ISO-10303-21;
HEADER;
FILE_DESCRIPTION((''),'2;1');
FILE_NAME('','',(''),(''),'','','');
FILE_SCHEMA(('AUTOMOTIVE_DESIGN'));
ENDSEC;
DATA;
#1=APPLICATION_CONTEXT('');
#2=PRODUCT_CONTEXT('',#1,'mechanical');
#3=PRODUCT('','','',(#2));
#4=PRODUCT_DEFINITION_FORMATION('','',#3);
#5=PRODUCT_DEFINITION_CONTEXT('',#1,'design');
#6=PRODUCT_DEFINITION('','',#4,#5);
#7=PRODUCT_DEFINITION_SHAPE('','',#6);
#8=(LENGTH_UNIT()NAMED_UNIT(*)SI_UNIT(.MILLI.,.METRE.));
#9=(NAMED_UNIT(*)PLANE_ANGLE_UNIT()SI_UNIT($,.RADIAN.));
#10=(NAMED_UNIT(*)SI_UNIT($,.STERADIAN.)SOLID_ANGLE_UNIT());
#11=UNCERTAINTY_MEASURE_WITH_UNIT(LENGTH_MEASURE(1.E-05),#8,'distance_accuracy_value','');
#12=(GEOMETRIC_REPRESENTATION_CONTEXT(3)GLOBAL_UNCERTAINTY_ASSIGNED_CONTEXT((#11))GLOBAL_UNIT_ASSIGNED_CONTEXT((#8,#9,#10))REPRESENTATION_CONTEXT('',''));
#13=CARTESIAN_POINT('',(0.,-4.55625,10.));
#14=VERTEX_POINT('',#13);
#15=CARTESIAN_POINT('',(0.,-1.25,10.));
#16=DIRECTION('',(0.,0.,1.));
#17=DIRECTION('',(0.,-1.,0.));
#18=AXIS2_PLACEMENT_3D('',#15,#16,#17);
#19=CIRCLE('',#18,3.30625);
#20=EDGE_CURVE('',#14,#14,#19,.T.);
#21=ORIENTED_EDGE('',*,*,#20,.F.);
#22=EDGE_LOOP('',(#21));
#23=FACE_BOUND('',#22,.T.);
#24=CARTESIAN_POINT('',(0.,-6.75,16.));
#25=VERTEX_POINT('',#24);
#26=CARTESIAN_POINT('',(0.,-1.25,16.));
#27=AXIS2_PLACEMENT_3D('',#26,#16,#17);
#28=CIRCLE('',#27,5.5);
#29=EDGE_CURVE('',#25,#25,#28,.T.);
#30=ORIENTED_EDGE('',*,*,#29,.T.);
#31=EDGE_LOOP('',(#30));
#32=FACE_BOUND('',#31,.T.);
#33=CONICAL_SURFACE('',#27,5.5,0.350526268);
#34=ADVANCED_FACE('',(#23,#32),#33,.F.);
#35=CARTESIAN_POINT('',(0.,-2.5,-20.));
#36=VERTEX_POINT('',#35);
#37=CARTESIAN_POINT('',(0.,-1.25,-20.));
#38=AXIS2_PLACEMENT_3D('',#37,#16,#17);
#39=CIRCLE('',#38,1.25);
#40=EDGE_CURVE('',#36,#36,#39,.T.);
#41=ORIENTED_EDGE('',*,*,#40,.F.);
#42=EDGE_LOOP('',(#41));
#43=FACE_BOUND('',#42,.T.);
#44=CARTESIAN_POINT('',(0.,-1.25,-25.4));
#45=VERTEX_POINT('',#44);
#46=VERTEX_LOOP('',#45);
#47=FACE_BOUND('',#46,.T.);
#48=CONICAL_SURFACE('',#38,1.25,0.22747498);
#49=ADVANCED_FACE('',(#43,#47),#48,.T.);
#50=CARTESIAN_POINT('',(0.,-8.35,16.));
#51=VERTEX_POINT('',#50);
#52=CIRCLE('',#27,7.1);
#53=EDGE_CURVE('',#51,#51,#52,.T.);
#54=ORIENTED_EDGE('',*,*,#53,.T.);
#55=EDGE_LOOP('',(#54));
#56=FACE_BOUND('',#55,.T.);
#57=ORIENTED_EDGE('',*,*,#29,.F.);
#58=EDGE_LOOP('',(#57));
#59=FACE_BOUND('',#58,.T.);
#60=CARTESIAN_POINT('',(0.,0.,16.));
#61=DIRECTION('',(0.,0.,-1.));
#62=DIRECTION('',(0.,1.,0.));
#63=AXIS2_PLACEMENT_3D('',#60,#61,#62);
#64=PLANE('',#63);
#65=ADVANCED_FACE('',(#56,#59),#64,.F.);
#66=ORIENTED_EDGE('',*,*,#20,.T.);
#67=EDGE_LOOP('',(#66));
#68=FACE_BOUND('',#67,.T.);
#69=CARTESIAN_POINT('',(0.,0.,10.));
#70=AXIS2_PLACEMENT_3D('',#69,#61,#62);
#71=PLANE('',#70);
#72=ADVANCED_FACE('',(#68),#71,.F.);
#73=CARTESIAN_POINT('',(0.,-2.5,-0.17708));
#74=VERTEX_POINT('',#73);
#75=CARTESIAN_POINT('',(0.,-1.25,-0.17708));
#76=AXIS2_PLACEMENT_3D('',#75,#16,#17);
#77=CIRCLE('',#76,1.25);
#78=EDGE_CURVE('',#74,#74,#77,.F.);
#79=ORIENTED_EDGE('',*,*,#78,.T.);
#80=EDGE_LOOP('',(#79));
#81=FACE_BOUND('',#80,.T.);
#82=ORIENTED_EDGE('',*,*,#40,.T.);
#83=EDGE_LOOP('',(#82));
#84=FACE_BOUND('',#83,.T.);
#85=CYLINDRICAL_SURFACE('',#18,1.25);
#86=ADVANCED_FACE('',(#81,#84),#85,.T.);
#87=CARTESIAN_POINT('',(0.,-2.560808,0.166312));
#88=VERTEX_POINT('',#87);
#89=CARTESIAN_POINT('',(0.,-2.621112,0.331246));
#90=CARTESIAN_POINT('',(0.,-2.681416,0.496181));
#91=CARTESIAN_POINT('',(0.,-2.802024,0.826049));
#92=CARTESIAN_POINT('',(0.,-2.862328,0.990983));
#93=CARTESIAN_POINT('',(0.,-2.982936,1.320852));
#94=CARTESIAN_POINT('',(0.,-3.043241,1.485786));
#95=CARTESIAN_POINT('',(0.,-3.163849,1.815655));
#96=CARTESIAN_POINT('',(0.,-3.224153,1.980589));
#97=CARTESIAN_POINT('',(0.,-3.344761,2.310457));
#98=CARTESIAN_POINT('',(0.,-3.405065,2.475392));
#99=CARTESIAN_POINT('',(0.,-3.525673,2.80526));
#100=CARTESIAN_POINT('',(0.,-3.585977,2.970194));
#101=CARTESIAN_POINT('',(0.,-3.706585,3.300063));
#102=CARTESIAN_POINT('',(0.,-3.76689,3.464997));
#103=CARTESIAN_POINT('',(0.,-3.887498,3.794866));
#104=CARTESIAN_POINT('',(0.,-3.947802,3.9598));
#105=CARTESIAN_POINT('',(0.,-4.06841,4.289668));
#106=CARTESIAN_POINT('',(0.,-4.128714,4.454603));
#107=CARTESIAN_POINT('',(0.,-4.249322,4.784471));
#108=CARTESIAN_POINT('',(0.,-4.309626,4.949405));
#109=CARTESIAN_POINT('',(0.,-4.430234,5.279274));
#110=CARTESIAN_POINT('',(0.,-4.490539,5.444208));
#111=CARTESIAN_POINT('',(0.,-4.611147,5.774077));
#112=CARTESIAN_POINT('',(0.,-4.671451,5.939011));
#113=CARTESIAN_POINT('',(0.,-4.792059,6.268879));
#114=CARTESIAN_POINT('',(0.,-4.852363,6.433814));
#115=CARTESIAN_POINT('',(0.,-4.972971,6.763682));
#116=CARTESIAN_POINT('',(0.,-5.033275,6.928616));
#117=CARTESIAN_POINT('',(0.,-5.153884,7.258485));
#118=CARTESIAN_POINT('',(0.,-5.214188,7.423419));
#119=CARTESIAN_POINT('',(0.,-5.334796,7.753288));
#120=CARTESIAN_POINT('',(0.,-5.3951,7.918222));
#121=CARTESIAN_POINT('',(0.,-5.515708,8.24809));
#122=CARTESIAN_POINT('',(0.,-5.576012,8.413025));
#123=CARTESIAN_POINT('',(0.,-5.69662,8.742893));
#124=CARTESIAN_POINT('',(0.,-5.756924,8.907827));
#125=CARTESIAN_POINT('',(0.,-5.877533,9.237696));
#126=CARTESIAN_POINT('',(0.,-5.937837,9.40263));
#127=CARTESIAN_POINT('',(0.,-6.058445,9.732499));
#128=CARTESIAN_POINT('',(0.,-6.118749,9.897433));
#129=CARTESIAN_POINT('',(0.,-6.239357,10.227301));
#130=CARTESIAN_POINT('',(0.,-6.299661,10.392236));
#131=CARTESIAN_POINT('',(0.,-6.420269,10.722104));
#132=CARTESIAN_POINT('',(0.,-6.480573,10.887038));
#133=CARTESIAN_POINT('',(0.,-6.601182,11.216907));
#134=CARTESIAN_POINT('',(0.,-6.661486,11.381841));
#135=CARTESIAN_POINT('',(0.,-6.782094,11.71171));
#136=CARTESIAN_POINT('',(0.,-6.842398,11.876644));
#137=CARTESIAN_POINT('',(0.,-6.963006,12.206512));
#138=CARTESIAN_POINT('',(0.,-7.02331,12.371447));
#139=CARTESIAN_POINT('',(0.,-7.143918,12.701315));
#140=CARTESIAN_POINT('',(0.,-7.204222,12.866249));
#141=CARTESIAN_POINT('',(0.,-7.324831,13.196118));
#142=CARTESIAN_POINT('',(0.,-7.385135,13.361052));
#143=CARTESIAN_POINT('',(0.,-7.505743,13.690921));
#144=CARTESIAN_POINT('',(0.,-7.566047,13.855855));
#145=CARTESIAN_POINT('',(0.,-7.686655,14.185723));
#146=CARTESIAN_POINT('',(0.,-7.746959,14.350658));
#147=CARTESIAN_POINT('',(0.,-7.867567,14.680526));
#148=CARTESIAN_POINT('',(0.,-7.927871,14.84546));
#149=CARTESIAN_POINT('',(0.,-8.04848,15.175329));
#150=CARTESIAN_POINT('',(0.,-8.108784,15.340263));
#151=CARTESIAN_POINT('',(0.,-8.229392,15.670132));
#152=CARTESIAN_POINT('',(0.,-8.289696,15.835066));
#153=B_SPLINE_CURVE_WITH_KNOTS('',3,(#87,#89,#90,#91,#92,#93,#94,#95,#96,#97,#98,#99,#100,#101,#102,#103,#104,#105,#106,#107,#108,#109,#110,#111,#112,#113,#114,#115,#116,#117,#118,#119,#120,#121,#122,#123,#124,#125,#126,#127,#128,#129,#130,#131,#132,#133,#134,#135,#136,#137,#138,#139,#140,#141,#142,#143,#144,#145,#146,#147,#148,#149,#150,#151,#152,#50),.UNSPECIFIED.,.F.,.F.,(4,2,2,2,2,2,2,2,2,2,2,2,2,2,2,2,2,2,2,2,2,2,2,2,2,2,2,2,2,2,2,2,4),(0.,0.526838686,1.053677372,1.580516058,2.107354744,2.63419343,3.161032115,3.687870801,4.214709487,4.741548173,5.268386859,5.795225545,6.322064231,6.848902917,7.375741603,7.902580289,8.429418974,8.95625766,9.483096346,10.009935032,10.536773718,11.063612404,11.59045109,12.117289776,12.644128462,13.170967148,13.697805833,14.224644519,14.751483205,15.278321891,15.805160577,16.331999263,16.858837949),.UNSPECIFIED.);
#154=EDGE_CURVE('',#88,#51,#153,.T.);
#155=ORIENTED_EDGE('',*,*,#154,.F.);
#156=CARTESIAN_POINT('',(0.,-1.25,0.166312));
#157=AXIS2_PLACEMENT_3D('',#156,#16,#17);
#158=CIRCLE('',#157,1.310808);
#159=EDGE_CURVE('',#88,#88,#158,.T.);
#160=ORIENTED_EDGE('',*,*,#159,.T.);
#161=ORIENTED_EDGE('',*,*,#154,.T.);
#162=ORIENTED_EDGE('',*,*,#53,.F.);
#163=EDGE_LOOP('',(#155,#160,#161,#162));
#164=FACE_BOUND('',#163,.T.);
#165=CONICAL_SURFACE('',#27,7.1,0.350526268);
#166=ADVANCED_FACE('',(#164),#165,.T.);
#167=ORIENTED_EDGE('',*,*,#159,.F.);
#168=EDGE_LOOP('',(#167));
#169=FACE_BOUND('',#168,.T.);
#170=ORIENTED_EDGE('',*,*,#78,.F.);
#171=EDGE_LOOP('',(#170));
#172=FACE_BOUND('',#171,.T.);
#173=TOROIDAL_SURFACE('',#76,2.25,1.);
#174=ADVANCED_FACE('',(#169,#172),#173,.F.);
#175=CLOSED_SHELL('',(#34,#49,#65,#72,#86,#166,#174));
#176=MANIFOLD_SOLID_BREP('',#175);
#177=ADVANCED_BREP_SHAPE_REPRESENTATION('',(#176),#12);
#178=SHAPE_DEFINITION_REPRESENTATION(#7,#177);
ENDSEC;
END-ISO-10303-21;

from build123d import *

# Parameters (mm, degrees)
FILLET1_R = 1


with BuildPart() as part:
    # Sketch1 → Revolve1 (revolve)
    with BuildSketch(Plane(origin=(0, 0, 0), x_dir=(0, 0, -1), z_dir=(1, 0, 0)), mode=Mode.PRIVATE) as revolve1_sk:
        Polygon((0, 0), (-4.376068376, 0), (-10, 2.05625), (-16, 4.25), (-16, 5.85), align=None)
        Polygon((-10, 0), (-4.376068376, 0), (-10, 2.05625), align=None)
        Polygon((20, 0), (0, 0), (-4.376068376, 0), (-10, 0), (-10, -1.25), (20, -1.25), align=None)
        Polygon((25.4, -1.25), (20, -1.25), (20, 0), align=None)
    revolve(revolve1_sk.sketch.rotate(Axis((0, -1.25, 10), (0, 0, -1)), 180), axis=Axis((0, -1.25, 10), (0, 0, -1)))

    # Fillet1
    fillet1_edges = [part.edges().sort_by_distance(p)[0] for p in [
        (0, 0, 0),
    ]]
    fillet(fillet1_edges, radius=FILLET1_R)


solid = part.part
